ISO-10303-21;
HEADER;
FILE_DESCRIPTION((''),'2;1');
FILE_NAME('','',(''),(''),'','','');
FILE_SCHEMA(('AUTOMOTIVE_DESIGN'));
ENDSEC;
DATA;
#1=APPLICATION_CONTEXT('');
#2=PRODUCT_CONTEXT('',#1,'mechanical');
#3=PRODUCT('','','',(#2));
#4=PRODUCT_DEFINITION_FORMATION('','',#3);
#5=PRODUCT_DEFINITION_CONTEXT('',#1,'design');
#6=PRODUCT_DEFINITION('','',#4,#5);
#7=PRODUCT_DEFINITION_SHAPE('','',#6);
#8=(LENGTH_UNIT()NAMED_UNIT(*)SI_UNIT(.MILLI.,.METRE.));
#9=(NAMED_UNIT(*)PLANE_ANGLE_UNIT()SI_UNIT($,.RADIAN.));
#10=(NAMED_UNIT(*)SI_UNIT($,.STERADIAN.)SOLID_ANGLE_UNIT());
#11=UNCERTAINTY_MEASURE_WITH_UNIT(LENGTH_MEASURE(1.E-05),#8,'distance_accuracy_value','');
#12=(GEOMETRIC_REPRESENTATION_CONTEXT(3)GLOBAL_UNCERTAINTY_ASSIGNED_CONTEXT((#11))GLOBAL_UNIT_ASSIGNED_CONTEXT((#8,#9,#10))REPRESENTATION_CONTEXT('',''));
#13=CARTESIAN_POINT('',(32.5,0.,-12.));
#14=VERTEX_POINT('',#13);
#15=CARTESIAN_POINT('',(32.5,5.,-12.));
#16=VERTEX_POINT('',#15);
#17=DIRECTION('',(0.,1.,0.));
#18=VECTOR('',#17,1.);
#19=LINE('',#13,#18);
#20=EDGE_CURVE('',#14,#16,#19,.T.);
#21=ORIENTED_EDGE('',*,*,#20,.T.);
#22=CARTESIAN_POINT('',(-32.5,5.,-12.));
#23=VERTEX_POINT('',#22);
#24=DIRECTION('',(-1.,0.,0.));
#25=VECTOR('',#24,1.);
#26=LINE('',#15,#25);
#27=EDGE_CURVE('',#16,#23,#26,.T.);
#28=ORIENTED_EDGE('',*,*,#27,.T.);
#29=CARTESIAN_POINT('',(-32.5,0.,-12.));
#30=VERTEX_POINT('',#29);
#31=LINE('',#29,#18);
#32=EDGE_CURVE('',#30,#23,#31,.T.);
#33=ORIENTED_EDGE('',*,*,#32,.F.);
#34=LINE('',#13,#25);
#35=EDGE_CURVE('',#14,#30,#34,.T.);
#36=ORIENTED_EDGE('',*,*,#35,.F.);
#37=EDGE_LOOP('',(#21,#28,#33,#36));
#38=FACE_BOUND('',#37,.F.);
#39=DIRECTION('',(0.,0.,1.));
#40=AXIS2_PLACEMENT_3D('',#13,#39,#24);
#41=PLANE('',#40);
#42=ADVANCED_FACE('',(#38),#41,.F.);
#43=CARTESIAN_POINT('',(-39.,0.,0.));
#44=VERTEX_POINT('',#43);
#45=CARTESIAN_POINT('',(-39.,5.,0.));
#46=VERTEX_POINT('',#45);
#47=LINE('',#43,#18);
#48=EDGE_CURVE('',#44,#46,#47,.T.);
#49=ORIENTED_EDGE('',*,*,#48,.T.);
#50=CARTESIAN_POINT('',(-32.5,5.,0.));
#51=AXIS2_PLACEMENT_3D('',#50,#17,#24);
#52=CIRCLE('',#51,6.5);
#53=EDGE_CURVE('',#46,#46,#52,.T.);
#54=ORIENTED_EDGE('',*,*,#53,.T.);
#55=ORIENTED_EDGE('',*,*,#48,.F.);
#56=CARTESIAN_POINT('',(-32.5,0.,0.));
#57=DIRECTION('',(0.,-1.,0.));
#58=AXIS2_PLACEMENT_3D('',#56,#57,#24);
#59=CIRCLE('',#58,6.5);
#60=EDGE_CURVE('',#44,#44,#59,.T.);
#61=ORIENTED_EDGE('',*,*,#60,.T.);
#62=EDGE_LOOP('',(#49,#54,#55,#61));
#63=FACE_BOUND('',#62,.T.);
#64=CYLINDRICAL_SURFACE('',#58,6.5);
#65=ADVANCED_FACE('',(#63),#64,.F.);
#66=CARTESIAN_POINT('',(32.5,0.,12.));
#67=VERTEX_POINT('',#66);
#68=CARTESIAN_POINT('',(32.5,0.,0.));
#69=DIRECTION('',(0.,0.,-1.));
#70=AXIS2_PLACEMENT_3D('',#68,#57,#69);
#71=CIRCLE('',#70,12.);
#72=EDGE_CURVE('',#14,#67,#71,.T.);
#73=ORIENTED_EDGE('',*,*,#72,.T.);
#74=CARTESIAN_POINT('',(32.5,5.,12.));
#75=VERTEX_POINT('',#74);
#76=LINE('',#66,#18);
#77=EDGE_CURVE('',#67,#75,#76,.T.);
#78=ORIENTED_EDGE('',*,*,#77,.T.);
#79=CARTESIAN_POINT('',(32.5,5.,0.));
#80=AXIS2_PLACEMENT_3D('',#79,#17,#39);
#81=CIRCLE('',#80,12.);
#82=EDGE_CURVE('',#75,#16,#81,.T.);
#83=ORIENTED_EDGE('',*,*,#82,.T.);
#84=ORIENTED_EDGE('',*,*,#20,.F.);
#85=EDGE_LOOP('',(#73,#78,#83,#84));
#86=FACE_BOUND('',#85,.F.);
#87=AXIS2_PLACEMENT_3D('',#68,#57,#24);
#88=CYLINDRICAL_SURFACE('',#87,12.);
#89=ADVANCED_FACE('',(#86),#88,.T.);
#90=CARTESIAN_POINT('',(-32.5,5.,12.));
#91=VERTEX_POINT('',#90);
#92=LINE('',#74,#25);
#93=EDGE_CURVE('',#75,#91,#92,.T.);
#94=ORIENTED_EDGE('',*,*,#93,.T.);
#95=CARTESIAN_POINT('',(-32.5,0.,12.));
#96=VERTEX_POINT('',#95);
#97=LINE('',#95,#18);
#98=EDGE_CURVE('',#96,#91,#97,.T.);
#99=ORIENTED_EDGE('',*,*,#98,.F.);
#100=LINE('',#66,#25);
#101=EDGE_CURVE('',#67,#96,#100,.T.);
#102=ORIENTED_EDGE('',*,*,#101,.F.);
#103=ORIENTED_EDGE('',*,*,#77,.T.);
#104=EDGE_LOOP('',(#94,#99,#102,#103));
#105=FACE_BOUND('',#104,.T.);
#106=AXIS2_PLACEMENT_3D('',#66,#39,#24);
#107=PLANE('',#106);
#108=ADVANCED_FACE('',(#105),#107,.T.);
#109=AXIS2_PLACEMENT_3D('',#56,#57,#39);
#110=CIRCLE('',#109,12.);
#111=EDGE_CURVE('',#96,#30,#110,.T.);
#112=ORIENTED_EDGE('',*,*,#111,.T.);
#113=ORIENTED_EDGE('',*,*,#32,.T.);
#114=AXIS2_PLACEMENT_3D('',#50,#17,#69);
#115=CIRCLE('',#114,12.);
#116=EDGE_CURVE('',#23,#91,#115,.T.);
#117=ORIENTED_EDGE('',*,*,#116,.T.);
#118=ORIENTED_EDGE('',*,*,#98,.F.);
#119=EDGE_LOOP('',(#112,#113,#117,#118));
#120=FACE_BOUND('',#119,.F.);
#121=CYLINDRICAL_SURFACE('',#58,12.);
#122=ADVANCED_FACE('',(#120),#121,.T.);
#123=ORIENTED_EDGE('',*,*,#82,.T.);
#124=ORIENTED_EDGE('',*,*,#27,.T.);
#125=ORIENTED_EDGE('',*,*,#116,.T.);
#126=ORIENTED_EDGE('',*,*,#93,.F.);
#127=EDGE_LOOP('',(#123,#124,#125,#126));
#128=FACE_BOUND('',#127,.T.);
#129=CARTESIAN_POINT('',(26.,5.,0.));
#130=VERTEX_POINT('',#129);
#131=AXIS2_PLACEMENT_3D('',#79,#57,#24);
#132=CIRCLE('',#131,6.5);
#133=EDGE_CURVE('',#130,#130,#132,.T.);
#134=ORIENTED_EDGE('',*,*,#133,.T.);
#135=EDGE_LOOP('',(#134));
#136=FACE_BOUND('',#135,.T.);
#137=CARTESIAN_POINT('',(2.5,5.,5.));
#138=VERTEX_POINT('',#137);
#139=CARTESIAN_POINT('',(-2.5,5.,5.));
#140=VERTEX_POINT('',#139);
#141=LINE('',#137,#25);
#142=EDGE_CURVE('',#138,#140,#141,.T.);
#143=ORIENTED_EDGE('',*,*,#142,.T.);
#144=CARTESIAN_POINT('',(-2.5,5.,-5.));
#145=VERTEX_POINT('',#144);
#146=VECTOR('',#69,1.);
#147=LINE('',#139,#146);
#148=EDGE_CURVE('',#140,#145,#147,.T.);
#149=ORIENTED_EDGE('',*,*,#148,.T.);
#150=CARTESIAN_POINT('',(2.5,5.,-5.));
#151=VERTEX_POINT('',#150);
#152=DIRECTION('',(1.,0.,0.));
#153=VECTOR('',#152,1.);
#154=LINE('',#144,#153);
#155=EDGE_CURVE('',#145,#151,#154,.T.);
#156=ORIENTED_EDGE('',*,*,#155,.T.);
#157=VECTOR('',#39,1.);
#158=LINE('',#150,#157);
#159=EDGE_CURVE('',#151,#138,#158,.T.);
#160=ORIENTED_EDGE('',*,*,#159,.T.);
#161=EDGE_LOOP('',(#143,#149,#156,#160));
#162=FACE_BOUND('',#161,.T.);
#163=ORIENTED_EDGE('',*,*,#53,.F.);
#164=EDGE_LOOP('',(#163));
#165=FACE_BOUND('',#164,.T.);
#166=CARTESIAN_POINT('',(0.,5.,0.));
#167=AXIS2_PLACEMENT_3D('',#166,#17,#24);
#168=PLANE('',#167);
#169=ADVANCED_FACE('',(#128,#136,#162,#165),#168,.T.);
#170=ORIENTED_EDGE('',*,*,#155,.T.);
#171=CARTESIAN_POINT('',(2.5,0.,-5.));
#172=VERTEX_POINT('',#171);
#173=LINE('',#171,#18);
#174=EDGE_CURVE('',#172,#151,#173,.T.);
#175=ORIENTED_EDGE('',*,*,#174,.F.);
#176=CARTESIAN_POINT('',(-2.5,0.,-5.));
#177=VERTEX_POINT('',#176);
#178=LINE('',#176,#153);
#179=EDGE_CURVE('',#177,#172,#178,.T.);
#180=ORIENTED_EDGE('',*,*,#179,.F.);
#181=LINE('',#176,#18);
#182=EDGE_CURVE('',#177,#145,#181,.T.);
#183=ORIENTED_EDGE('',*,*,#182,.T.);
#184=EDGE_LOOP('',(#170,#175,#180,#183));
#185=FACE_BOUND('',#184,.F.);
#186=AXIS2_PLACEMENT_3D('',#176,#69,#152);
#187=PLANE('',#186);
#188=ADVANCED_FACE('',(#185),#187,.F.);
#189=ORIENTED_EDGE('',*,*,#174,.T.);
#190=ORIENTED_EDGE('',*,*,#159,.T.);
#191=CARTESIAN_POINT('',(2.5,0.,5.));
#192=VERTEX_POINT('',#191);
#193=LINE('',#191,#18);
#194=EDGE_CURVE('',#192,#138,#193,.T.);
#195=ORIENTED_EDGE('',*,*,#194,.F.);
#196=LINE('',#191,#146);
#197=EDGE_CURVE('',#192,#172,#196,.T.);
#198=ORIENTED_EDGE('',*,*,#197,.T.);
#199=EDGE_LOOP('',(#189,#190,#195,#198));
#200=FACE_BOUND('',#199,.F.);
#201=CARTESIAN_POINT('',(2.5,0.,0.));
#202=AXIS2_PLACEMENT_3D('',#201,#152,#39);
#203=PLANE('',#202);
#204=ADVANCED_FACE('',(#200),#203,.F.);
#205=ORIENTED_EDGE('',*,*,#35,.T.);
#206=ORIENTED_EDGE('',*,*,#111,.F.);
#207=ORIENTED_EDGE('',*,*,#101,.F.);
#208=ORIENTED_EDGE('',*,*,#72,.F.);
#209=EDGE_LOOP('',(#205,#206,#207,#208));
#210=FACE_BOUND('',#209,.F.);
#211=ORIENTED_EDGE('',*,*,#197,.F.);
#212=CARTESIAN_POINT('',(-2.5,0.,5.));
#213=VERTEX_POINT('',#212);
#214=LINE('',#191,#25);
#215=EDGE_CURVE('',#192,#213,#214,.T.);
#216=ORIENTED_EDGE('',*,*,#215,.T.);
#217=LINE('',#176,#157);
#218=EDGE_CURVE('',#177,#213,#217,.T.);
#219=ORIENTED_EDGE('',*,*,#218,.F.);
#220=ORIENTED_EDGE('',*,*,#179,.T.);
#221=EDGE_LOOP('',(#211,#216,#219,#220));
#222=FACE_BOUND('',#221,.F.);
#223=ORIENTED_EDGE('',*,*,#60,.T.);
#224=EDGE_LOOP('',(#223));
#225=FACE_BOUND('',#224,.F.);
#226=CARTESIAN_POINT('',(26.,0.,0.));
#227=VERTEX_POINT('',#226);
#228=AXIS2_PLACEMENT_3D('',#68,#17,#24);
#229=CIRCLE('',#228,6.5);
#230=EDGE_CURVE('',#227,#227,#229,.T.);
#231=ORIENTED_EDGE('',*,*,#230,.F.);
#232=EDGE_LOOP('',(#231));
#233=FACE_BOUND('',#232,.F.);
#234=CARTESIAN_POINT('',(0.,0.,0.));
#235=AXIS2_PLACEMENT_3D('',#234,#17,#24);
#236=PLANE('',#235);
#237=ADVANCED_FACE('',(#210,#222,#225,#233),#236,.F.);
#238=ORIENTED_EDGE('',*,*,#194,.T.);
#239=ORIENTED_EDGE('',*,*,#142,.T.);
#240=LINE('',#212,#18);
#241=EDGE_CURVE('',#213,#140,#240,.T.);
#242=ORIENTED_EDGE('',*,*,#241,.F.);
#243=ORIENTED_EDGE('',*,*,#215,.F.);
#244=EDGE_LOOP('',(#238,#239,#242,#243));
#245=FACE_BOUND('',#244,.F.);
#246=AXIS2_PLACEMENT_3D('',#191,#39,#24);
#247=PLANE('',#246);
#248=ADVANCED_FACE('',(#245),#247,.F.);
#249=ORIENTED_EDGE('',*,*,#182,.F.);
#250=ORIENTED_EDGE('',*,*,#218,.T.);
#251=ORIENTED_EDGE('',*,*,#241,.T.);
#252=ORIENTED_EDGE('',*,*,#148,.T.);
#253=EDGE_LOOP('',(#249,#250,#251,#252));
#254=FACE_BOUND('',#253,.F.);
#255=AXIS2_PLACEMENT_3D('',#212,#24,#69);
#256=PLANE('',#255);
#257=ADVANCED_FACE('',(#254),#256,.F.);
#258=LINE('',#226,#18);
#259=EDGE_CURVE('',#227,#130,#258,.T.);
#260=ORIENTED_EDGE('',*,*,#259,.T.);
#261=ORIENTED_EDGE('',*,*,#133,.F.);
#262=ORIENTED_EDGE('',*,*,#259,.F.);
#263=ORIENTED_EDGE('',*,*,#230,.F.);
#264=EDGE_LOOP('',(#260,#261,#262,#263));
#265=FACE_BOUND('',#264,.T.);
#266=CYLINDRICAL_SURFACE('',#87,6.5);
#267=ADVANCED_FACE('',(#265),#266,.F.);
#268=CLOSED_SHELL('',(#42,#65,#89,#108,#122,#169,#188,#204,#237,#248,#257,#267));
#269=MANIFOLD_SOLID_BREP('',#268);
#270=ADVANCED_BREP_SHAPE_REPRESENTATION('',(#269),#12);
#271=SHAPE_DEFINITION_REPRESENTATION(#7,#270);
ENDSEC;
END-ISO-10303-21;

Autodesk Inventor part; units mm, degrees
ref_plane "YZ Plane" through (0, 0, 0) normal (1, 0, 0) x (0, 1, 0)
ref_plane "XZ Plane" through (0, 0, 0) normal (0, 1, 0) x (-1, 0, 0)
ref_plane "XY Plane" through (0, 0, 0) normal (0, 0, 1) x (1, 0, 0)
sketch "Sketch1" plane through (0, 0, 0) normal (0, 1, 0) x (-1, 0, 0)
  circle A0 centre (32.5, 0) radius 12
  circle A1 centre (-32.5, 0) radius 12
  line L0 (-32.5, 12) -> (32.5, 12)
  line L1 (-32.5, -12) -> (32.5, -12)
  circle A2 centre (32.5, 0) radius 6.5
  circle A3 centre (-32.5, 0) radius 6.5
  line L2 (62.3, 0) -> (-62.3, 0) projected
  line L3 (2.5, -5) -> (-2.5, -5)
  line L4 (-2.5, -5) -> (-2.5, 5)
  line L5 (-2.5, 5) -> (2.5, 5)
  line L6 (2.5, 5) -> (2.5, -5)
  point P0 (0, 0)
  point P1 (0, 12)
  point P2 (2.5, 0)
  point P3 (0, -5)
  dimension "d0" = 65
  dimension "d1" = 24
  dimension "d2" = 13
  dimension "d11" = 5
  dimension "d12" = 10
extrude "Extrusion2" add sketch "Sketch1" along normal blind 5 contours L2 A2 A0 | A0 L2 A2 | A0 L2 L6 L5 L4 A1 L0 | L1 A1 L2 L4 L3 L6 A0 | A1 L2 A3 | A1 L2 A3
equation "\"d1\" = sa_diameter"
equation "\"d2\" = bb_outer_diameter"
equation "\"d11\" = b_mat_thickness"
equation "\"d8\" = b_mat_thickness"
equation "\"sa_diameter\" = 24"
equation "\"bb_outer_diameter\" = 13"
equation "\"b_mat_thickness\" = 5"
properties part number "Middle_leg_b"
